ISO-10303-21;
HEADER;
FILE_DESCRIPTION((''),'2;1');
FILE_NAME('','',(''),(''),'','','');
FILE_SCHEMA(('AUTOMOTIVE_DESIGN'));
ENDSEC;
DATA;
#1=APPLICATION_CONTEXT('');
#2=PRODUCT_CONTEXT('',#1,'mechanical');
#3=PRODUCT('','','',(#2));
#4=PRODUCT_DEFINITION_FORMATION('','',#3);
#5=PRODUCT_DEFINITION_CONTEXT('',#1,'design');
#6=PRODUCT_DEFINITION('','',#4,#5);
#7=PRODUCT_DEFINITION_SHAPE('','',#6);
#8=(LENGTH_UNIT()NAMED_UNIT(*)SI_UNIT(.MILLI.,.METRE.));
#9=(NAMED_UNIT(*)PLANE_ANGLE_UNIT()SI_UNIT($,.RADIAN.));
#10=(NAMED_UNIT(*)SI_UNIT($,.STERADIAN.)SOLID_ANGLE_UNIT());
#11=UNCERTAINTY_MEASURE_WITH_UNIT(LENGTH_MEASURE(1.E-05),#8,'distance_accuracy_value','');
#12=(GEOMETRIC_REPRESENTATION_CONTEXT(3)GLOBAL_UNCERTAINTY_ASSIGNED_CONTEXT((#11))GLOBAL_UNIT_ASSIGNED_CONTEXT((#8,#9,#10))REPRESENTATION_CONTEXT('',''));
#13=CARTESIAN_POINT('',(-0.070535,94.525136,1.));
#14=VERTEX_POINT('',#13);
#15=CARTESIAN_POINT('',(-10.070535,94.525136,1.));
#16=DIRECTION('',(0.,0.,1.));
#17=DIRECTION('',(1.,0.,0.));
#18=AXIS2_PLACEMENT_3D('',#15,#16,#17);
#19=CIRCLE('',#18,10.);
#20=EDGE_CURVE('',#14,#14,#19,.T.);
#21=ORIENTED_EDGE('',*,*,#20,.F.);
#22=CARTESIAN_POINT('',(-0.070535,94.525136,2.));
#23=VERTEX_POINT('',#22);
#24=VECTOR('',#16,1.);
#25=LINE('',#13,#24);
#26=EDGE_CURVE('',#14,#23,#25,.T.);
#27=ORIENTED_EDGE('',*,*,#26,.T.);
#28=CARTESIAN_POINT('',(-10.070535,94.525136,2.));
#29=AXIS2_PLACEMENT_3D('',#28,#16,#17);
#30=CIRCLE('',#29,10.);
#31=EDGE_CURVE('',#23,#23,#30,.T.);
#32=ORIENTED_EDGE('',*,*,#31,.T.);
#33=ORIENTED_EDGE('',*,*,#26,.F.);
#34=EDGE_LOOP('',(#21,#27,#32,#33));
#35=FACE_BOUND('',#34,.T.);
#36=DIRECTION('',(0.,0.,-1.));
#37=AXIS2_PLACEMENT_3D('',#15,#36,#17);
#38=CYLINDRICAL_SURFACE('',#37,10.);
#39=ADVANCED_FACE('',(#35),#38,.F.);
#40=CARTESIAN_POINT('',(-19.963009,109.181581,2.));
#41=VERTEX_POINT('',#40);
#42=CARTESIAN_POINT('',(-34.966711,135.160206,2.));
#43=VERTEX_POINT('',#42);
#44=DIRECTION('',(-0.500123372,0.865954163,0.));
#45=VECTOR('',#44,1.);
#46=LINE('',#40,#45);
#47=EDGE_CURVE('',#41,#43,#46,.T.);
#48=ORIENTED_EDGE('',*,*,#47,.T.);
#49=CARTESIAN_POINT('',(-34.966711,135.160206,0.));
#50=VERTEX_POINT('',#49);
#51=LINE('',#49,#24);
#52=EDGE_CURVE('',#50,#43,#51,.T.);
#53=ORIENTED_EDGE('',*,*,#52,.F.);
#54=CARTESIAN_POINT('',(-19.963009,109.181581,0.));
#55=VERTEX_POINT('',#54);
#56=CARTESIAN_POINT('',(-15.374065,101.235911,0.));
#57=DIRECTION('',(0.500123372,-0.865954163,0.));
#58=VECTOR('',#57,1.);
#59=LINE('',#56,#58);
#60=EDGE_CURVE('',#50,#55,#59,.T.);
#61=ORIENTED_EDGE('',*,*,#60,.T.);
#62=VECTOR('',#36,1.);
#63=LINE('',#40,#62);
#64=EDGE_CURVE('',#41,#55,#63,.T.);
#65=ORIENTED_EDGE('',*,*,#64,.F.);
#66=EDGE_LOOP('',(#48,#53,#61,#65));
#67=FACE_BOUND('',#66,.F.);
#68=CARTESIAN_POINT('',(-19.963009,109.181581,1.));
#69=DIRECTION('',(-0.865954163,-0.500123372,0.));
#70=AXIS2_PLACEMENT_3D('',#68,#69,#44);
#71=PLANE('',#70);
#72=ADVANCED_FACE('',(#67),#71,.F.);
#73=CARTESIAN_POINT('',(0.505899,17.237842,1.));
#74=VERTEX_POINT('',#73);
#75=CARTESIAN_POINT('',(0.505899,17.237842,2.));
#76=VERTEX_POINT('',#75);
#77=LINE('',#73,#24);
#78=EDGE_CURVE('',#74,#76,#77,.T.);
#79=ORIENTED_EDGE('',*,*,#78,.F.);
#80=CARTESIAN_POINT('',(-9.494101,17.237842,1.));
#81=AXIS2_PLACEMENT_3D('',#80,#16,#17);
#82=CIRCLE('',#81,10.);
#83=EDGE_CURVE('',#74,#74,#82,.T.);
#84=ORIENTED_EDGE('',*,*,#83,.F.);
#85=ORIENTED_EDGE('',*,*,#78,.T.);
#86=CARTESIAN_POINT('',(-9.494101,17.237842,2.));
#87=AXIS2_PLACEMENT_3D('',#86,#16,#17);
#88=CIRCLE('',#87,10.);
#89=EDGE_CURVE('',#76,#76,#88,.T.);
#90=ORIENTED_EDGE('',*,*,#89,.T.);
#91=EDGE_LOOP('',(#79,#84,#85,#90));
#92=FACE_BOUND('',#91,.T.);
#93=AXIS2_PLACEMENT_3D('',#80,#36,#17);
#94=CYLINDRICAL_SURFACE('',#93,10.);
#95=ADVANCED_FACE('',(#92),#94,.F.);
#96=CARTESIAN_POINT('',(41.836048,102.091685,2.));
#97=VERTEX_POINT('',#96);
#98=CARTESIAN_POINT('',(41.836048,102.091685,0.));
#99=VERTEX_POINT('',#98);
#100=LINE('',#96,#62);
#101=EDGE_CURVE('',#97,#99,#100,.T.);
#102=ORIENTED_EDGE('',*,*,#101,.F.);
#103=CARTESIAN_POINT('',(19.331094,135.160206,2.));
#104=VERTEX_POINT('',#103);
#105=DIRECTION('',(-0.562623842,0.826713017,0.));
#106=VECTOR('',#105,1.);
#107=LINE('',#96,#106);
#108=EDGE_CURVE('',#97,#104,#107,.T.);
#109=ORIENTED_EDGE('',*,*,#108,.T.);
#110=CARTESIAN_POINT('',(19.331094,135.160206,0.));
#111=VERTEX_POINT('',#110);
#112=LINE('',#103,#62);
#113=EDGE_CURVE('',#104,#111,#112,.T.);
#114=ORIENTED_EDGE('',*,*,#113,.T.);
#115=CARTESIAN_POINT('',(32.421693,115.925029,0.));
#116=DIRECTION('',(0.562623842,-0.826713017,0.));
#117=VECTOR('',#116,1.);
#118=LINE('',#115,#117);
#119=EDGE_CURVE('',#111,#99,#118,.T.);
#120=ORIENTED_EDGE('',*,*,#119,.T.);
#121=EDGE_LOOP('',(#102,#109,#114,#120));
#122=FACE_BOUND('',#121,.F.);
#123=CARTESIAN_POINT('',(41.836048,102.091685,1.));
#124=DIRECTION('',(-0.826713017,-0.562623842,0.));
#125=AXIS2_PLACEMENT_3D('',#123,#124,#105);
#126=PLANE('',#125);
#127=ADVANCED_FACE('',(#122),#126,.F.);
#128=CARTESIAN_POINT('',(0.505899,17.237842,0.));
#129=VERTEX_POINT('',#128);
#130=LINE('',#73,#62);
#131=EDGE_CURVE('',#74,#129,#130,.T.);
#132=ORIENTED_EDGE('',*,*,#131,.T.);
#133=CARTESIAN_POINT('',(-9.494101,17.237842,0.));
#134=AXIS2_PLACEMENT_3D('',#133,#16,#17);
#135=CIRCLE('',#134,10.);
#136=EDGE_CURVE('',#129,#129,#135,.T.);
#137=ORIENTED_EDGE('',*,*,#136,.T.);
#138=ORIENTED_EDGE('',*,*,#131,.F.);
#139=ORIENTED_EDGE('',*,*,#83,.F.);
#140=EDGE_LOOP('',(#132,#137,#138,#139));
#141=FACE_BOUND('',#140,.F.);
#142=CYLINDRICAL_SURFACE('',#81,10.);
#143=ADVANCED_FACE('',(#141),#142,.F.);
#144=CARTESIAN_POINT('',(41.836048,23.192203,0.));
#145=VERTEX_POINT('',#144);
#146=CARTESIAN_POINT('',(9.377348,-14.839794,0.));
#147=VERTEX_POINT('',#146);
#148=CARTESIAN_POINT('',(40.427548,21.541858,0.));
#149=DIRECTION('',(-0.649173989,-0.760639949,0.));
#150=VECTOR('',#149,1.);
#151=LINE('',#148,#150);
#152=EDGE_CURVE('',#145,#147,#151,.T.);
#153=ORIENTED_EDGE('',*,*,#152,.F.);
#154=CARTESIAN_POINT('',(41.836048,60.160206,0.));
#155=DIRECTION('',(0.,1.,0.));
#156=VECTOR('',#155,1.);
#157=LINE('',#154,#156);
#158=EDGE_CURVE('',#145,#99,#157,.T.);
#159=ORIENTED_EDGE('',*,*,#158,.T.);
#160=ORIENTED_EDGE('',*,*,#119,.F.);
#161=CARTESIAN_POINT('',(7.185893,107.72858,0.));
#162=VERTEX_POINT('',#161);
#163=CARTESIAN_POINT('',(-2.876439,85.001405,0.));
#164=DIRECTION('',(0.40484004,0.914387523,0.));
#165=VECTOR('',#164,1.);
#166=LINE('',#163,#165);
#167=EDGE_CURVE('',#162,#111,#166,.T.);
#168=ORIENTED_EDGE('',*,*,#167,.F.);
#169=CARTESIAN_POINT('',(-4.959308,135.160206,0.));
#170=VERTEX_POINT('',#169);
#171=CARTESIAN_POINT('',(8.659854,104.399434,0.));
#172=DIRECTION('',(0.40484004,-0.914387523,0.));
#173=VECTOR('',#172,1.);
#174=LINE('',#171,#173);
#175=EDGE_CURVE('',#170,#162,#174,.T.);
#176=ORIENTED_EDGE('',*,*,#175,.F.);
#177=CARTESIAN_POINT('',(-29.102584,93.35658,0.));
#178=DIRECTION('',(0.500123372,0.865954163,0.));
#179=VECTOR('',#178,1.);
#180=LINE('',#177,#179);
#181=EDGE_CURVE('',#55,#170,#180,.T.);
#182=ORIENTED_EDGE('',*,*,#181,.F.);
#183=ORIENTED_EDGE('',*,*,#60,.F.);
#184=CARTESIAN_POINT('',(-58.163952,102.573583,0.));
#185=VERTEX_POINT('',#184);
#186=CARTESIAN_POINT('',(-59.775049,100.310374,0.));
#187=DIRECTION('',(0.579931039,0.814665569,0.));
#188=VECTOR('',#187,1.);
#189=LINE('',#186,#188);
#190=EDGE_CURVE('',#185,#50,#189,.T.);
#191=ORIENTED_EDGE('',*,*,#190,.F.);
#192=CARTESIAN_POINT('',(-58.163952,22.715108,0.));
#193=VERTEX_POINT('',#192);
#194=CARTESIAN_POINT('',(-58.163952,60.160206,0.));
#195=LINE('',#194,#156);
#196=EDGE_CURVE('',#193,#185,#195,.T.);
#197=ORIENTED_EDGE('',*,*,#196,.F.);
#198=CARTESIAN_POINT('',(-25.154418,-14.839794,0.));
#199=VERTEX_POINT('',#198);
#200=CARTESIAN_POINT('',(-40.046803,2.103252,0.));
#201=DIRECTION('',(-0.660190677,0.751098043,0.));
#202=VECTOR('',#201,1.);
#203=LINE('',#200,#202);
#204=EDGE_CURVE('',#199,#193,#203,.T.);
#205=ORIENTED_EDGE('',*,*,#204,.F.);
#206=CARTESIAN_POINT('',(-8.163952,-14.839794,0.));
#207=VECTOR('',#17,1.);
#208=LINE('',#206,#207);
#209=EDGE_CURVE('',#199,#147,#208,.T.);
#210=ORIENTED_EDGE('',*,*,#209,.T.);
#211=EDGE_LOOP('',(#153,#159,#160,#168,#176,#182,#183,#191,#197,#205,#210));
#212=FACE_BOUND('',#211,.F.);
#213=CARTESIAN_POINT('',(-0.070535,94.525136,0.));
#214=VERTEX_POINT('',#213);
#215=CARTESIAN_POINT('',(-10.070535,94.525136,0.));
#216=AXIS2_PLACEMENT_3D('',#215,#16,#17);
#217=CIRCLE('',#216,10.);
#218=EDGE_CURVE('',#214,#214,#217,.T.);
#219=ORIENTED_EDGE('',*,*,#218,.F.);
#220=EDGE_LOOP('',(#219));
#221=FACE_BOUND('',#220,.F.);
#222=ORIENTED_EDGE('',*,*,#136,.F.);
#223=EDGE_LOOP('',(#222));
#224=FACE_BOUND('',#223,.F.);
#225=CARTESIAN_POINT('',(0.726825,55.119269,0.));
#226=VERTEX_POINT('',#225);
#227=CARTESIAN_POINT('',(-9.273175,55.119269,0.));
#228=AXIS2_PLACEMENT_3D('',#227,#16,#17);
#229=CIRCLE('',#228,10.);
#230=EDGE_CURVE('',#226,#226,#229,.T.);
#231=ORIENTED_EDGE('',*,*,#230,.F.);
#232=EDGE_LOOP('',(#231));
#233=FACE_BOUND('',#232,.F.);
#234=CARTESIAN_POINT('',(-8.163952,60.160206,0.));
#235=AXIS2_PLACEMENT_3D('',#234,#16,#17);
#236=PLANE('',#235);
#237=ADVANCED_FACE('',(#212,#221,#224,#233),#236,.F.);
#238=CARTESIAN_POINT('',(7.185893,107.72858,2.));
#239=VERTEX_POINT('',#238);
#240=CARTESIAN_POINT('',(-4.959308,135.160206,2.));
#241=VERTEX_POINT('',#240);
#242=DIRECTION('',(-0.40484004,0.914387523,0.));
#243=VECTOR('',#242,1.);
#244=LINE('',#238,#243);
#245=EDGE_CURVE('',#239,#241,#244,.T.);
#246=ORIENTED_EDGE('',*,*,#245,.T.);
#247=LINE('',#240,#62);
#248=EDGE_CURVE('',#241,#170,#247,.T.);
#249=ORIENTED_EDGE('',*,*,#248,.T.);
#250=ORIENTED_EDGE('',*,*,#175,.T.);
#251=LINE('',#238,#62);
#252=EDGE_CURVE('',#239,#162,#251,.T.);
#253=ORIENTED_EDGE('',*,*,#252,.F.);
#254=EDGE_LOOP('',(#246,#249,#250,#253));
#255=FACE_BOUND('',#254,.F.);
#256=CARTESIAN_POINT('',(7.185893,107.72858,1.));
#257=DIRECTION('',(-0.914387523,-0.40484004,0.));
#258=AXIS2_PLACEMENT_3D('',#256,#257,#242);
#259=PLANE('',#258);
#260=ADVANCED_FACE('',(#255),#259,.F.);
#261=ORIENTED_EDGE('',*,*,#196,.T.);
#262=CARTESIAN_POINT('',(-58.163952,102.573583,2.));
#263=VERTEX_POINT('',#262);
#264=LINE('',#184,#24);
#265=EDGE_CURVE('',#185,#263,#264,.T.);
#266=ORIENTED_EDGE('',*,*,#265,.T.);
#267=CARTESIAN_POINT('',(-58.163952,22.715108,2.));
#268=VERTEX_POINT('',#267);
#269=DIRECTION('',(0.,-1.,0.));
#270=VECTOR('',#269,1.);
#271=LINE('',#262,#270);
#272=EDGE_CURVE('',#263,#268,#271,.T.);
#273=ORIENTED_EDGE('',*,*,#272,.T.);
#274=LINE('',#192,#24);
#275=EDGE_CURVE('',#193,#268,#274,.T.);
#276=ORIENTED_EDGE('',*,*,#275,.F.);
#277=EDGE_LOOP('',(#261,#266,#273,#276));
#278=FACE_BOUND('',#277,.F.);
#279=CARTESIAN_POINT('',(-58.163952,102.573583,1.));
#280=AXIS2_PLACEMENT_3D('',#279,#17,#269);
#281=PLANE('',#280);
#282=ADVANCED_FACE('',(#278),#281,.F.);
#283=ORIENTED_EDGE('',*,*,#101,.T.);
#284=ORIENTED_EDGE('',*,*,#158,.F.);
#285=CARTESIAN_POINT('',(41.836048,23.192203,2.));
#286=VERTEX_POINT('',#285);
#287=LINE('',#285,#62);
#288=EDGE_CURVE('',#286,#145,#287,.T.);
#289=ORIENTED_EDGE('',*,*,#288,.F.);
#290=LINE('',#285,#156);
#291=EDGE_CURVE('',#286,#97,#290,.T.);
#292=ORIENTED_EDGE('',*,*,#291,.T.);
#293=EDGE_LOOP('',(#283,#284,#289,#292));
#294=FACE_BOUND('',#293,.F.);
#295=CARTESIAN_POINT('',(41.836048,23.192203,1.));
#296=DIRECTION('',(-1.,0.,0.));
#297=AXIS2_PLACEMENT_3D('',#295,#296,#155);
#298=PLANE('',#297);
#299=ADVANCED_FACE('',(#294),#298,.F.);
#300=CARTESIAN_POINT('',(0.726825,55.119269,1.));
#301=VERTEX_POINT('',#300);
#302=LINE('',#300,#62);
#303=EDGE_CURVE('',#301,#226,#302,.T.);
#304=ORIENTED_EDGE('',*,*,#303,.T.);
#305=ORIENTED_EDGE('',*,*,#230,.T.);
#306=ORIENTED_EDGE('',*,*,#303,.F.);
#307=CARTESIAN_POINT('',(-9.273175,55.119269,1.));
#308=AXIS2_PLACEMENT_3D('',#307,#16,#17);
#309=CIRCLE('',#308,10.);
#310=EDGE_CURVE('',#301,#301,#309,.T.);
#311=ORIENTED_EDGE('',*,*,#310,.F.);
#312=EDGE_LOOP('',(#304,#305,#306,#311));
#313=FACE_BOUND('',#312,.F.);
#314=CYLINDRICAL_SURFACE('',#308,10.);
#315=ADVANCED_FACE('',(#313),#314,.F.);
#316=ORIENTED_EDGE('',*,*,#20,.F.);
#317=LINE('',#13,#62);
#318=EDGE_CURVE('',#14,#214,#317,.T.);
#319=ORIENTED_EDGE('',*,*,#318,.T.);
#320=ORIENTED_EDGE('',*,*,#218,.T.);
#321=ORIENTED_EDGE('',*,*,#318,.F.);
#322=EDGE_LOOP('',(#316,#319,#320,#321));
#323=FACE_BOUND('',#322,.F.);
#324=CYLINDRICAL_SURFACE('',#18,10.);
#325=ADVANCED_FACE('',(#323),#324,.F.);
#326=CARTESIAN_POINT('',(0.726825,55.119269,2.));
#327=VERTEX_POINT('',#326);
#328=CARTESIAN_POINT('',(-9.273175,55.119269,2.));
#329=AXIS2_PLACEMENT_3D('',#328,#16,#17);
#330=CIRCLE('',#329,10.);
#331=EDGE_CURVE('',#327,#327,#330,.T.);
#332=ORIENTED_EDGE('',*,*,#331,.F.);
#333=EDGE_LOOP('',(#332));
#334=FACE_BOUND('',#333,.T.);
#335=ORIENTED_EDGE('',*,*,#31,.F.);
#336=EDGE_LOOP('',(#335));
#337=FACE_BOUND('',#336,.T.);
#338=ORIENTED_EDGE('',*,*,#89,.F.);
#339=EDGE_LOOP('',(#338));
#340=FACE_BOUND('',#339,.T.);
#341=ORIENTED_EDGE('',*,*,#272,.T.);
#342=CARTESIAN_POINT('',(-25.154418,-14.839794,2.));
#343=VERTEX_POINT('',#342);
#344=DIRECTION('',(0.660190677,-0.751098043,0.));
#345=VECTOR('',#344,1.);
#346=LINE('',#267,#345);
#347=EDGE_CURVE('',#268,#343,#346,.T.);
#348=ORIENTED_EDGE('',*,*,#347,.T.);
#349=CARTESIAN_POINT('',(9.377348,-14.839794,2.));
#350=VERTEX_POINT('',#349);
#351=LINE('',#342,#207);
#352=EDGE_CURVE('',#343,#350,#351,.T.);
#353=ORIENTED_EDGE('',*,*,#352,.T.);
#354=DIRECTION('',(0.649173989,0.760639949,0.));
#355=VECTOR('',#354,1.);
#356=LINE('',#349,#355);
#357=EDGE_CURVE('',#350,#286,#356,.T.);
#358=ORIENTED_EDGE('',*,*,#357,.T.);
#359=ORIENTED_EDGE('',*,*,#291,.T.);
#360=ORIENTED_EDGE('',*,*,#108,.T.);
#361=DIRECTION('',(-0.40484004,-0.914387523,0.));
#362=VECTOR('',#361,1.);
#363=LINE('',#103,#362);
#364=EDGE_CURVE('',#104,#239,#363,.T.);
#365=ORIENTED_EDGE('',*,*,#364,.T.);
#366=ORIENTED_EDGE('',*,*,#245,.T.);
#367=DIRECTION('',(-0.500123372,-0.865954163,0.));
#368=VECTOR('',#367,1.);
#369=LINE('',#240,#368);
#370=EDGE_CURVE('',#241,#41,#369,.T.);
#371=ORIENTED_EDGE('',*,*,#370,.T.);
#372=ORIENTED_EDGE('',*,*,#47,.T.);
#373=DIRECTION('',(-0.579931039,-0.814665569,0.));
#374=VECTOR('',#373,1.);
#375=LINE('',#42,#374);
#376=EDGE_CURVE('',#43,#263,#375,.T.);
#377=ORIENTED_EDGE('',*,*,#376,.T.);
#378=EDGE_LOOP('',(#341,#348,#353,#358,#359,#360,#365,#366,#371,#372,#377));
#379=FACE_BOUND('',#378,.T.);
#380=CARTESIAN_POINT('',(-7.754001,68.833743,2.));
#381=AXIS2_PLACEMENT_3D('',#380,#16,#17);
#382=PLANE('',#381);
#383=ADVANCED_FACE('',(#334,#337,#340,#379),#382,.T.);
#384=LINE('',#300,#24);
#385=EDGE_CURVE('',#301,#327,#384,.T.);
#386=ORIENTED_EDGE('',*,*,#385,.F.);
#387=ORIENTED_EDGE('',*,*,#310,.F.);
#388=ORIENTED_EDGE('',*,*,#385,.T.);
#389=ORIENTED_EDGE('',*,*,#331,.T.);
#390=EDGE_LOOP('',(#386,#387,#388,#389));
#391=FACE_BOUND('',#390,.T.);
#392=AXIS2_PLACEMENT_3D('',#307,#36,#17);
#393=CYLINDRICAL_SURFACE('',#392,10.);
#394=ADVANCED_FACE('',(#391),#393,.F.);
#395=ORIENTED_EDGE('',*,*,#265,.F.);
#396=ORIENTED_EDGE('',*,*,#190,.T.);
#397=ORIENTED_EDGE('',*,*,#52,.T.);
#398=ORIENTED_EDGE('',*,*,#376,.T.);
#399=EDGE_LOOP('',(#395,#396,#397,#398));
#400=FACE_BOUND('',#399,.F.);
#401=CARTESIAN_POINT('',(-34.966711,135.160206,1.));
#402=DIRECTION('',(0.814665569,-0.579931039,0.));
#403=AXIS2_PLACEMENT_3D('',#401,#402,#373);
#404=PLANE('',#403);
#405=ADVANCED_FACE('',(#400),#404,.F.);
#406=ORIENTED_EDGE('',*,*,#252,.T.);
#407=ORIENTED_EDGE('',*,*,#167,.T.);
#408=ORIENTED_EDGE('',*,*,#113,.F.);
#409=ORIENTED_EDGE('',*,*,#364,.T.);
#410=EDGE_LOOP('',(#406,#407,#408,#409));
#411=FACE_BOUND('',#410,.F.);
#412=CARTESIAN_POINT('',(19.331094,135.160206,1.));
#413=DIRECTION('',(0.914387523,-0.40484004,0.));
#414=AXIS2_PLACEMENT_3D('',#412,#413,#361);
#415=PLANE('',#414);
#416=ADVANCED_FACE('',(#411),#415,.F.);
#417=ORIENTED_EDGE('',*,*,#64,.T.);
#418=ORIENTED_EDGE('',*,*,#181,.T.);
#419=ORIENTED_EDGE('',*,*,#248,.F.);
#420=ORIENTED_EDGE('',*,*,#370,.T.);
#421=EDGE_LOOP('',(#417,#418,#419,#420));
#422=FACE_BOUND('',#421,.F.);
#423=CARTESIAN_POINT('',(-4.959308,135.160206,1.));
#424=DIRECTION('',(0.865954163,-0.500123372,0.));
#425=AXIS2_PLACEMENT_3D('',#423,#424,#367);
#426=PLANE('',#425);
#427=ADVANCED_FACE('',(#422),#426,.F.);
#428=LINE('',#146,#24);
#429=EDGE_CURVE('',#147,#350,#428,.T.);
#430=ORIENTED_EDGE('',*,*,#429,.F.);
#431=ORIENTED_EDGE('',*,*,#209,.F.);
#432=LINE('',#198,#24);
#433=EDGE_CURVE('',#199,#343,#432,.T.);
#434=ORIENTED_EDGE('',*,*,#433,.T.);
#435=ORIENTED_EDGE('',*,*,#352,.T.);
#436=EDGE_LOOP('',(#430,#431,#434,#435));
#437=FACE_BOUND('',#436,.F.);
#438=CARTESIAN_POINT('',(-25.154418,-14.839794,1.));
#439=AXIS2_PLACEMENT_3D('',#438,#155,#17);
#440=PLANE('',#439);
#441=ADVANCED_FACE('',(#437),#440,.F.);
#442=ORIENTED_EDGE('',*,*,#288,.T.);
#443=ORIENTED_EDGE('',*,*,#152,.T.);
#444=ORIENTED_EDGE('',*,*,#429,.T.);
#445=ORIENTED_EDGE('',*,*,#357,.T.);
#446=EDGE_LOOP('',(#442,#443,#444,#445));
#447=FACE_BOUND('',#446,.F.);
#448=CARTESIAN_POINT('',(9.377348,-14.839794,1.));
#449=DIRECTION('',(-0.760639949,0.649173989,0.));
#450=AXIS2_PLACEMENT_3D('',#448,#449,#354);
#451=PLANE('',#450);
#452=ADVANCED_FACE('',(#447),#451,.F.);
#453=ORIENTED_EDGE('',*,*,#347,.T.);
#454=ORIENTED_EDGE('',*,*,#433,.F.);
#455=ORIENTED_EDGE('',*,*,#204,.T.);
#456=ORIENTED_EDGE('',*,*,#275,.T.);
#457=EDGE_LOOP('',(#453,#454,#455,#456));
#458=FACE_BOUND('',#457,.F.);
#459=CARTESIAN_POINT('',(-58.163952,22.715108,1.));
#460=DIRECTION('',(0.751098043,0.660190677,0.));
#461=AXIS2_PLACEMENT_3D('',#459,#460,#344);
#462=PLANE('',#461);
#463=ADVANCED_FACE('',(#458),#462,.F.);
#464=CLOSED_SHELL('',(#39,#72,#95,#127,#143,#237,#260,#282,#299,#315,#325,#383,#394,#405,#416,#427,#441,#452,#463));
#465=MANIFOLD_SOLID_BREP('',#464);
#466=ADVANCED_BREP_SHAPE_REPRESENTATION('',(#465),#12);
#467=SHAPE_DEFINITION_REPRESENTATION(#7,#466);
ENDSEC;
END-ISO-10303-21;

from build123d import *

# Parameters (mm, degrees)
F0_W     = 100
F0_H     = 150
F1_DEPTH = 1
F2_R     = 10
F3_DEPTH = 25
F5_DEPTH = 25
F8_DEPTH = 25
F7_R     = 10
F9_DEPTH = 1


with BuildPart() as f1:
    # F0 (on Top) → F1 (new body)
    with BuildSketch(Plane.XY):
        with Locations((-8.1639520824, 60.1602055132)):
            Rectangle(F0_W, F0_H)
    extrude(amount=F1_DEPTH)

    # F2 (on face) → F3 (cut)
    with BuildSketch(Plane.XY.offset(1)):
        with Locations((-10.0705353543, 94.5251360536)):
            Circle(F2_R)
        with Locations((-9.4941006973, 17.237842083)):
            Circle(F2_R)
        with Locations((-9.2731751502, 55.1192685962)):
            Circle(F2_R)
    extrude(amount=-F3_DEPTH, mode=Mode.SUBTRACT)

    # F4 (on face) → F5 (cut)
    with BuildSketch(Plane.XY.offset(1)):
        Polygon((41.8360479176, 23.1922029477), (9.3773484498, -14.8397944868), (41.8360479176, -14.8397944868), align=None)
        Polygon((-25.1544182483, -14.8397944868), (-58.1639520824, 22.7151076707), (-58.1639520824, -14.8397944868), align=None)
    extrude(amount=-F5_DEPTH, mode=Mode.SUBTRACT)

    # F6 (on face) → F8 (cut)
    with BuildSketch(Plane.XY.offset(1)):
        Polygon((-4.9593081612, 135.1602055132), (-34.9667105038, 135.1602055132), (-19.9630093325, 109.1815806235), align=None)
        Polygon((19.3310942209, 135.1602055132), (-4.9593081612, 135.1602055132), (7.1858930298, 107.7285798226), align=None)
        Polygon((41.8360479176, 135.1602055132), (19.3310942209, 135.1602055132), (41.8360479176, 102.0916848462), align=None)
        Polygon((-58.1639520824, 135.1602055132), (-58.1639520824, 102.5735827495), (-34.9667105038, 135.1602055132), align=None)
    extrude(amount=-F8_DEPTH, mode=Mode.SUBTRACT)

    # F7 (on face) → F9 (join)
    with BuildSketch(Plane.XY.offset(1)):
        Polygon((-19.9630093325, 109.1815806235), (-34.9667105038, 135.1602055132), (-58.1639520824, 102.5735827495), (-58.1639520824, 22.7151076707), (-25.1544182483, -14.8397944868), (9.3773484498, -14.8397944868), (41.8360479176, 23.1922029477), (41.8360479176, 102.0916848462), (19.3310942209, 135.1602055132), (7.1858930298, 107.7285798226), (-4.9593081612, 135.1602055132), align=None)
        with Locations((-9.4941006973, 17.237842083)):
            Circle(F7_R, mode=Mode.SUBTRACT)
        with Locations((-9.2731751502, 55.1192685962)):
            Circle(F7_R, mode=Mode.SUBTRACT)
        with Locations((-10.0705353543, 94.5251360536)):
            Circle(F7_R, mode=Mode.SUBTRACT)
    extrude(amount=F9_DEPTH)


solid = f1.part
